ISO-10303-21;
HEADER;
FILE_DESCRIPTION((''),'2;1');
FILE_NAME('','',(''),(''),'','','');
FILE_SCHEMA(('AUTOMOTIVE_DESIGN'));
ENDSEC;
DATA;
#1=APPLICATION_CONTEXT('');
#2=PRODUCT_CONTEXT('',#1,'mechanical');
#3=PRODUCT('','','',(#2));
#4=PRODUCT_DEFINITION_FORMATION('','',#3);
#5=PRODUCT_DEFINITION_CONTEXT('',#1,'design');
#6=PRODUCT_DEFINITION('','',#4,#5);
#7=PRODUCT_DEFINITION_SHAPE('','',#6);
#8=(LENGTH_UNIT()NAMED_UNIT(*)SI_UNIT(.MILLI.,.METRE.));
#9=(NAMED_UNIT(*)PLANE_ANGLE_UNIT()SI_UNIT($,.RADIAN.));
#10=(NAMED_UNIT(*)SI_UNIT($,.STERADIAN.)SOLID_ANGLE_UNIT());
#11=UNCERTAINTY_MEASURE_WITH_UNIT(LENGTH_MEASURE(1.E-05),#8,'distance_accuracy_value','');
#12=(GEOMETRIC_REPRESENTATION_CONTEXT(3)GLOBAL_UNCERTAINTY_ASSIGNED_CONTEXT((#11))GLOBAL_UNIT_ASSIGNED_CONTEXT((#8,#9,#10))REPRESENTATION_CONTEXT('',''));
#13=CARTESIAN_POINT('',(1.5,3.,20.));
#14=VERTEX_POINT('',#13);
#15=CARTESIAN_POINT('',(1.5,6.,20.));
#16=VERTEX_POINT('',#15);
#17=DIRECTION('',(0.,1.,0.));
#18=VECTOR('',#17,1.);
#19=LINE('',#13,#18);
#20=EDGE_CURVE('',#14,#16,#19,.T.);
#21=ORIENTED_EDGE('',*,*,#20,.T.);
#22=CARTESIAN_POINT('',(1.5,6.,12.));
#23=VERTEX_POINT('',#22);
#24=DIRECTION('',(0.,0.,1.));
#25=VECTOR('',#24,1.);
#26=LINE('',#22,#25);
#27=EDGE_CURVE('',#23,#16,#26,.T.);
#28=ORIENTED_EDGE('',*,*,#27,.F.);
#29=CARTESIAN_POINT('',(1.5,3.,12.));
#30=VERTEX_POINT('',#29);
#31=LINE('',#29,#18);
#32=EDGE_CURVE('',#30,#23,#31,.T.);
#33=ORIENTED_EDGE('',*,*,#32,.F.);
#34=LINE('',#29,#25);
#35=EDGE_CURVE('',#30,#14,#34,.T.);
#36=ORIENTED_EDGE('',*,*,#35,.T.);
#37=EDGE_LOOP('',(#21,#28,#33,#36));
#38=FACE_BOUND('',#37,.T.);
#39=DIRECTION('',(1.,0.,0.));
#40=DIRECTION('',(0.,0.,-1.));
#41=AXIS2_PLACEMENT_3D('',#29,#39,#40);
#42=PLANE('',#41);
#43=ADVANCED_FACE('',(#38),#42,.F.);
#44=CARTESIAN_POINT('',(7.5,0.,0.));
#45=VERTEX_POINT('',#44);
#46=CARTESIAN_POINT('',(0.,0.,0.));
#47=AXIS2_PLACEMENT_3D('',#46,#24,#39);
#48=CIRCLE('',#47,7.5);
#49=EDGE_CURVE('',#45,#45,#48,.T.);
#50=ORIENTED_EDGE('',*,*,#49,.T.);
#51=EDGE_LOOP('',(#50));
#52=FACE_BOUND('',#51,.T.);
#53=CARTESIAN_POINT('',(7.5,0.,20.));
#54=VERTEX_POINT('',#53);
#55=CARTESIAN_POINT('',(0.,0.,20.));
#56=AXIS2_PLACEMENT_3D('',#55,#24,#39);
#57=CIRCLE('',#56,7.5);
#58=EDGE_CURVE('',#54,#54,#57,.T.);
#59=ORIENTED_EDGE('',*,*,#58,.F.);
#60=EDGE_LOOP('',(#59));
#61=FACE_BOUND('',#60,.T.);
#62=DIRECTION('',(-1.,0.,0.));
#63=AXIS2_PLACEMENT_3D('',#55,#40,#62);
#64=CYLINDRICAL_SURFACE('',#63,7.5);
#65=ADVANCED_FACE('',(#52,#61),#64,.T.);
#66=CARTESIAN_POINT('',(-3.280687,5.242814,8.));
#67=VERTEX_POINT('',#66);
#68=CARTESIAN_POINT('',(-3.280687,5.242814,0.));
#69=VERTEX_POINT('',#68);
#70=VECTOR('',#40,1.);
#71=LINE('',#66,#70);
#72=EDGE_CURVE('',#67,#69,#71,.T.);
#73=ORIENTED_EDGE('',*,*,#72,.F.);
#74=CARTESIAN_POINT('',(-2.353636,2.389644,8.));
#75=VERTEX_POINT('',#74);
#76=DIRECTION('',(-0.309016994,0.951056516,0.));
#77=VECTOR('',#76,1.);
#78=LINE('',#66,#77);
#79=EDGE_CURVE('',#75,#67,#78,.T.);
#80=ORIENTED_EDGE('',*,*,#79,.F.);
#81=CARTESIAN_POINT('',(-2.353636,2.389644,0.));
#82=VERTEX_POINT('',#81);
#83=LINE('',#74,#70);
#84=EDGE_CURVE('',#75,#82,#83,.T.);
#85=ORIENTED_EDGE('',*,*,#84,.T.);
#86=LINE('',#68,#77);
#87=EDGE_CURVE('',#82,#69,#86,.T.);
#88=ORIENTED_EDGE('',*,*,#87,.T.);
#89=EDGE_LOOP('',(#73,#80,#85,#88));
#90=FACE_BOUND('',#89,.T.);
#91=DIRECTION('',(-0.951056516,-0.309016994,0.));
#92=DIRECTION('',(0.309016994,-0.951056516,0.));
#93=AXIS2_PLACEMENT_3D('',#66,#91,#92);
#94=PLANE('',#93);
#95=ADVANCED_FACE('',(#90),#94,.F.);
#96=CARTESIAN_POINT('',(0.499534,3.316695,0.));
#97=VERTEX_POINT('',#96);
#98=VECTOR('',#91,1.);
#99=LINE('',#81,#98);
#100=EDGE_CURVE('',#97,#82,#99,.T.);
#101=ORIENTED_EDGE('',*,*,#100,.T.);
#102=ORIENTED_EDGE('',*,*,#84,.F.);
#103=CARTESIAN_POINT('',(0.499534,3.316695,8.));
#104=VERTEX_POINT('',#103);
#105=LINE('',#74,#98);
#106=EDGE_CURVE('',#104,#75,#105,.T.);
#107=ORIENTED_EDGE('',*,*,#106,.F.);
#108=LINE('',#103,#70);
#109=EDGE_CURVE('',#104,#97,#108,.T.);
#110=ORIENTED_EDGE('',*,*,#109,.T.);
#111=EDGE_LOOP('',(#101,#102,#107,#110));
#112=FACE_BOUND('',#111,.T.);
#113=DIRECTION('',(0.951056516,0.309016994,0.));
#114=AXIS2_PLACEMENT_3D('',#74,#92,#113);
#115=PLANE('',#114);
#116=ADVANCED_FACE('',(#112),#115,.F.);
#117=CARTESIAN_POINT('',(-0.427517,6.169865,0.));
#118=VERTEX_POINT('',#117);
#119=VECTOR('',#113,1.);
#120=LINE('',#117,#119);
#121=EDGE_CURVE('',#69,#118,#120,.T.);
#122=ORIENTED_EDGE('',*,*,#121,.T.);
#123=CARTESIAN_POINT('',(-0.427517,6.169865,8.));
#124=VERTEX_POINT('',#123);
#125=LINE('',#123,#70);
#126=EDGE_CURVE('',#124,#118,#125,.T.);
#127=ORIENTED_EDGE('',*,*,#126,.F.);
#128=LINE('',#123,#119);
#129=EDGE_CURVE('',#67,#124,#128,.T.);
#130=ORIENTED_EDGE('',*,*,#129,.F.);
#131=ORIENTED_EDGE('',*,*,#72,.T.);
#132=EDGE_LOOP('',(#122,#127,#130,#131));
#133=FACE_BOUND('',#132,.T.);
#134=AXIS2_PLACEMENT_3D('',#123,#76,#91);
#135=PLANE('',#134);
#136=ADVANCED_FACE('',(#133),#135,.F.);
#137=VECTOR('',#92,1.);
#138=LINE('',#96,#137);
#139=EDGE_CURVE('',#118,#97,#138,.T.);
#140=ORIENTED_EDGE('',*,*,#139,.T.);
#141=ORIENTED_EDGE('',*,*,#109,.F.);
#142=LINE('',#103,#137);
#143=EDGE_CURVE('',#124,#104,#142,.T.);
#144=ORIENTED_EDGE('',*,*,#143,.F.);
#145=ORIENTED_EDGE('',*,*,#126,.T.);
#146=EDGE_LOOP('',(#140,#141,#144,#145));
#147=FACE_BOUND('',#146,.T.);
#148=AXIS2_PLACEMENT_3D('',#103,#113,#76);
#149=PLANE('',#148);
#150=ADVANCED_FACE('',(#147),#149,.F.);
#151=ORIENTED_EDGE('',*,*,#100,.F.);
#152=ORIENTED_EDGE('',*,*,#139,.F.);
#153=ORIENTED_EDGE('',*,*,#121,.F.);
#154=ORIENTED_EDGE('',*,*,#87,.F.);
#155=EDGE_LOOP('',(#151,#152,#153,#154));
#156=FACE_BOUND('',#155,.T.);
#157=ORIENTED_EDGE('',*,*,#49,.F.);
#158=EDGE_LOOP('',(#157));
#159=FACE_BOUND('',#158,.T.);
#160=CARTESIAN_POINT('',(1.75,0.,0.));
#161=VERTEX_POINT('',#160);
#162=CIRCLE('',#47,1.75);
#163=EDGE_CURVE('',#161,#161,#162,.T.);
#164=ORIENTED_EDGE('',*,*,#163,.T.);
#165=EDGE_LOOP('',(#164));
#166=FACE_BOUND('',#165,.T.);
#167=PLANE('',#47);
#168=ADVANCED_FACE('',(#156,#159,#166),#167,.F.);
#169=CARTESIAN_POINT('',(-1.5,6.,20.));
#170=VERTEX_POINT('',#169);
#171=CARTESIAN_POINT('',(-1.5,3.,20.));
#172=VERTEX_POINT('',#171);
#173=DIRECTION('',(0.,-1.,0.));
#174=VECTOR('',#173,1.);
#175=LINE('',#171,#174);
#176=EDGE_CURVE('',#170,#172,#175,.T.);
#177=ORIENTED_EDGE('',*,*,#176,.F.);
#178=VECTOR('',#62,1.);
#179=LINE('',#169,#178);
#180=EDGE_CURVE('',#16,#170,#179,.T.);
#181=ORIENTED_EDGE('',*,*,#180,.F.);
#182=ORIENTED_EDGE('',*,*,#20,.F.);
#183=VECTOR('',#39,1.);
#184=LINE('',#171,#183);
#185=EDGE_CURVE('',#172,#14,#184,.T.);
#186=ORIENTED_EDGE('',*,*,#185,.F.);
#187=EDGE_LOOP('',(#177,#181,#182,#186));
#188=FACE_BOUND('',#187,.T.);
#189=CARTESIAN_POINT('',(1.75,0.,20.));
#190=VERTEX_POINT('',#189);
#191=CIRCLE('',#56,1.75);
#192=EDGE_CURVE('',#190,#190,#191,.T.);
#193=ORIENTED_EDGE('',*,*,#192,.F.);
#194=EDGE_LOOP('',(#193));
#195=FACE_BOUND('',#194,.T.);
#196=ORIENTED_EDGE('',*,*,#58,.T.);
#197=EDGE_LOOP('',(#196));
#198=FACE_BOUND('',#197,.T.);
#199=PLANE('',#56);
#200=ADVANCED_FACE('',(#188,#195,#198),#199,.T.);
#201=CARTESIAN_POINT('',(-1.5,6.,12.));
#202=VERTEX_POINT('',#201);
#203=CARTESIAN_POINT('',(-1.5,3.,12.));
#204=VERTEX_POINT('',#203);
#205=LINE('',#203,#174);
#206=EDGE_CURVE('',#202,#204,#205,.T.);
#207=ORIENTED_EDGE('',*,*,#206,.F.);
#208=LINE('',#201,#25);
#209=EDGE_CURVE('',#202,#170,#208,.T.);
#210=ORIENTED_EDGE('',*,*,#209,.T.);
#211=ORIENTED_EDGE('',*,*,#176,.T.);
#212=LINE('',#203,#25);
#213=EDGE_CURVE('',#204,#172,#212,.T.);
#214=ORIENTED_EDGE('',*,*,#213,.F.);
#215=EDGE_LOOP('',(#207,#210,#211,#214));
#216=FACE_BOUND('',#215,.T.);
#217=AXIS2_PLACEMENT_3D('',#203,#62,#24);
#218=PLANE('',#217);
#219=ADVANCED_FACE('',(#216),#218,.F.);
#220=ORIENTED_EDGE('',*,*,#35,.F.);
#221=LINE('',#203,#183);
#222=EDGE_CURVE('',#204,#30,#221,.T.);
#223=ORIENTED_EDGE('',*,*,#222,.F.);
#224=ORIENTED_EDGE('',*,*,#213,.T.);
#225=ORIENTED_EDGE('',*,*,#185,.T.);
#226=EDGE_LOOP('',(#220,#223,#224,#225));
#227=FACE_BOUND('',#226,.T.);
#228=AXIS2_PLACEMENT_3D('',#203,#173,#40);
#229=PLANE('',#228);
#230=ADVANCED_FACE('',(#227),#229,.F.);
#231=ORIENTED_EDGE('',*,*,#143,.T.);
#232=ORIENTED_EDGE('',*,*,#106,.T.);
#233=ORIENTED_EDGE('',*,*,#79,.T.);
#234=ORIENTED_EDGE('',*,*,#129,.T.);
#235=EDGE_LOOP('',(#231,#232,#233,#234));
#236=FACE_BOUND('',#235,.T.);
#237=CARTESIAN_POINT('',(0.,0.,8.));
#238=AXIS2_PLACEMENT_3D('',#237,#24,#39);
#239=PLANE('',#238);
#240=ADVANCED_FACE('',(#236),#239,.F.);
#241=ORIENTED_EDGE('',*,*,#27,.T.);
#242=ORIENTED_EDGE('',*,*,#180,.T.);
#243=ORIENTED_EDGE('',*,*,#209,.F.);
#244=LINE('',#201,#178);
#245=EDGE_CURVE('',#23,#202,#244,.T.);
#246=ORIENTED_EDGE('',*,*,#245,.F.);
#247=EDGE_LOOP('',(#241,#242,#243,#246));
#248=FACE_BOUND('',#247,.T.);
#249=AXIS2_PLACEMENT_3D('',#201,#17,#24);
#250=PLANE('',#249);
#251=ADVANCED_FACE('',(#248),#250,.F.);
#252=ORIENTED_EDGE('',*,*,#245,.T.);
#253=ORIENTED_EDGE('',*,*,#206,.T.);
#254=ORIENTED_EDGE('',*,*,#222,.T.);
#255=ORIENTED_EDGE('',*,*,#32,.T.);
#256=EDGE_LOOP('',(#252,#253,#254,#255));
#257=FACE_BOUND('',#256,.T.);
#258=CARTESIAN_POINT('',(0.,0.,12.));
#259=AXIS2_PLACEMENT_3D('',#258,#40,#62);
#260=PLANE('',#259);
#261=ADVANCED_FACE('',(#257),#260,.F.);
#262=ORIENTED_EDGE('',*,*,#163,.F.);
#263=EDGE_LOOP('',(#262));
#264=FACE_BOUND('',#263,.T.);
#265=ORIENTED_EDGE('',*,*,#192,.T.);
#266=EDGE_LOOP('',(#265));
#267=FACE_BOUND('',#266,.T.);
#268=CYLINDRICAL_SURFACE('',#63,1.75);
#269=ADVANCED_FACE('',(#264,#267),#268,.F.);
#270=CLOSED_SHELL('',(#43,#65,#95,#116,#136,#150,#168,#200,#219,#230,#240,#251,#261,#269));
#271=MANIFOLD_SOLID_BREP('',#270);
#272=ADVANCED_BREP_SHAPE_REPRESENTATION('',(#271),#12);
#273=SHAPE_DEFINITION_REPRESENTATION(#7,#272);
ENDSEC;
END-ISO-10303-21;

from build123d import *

# Parameters (mm, degrees)
SKETCH1_R           = 7.5
SKETCH1_R_2         = 1.75
BOSS_EXTRUDE1_DEPTH = 20
SKETCH2_W           = 3
SKETCH2_H           = 3
CUT_EXTRUDE1_DEPTH  = 8
CUT_EXTRUDE2_DEPTH  = 8


with BuildPart() as part:
    # Sketch1 → Boss-Extrude1 (new body)
    with BuildSketch(Plane.XY):
        Circle(SKETCH1_R)
        Circle(SKETCH1_R_2, mode=Mode.SUBTRACT)
    extrude(amount=BOSS_EXTRUDE1_DEPTH)

    # Sketch2 → Cut-Extrude1 (cut)
    with BuildSketch(Plane.XY.offset(20)):
        with Locations((0, 4.5)):
            Rectangle(SKETCH2_W, SKETCH2_H)
    extrude(amount=-CUT_EXTRUDE1_DEPTH, mode=Mode.SUBTRACT)

    # Sketch3 → Cut-Extrude2 (cut)
    with BuildSketch(Plane(origin=(0, 0, 0), x_dir=(-1, 0, 0), z_dir=(0, 0, -1))):
        Polygon((-0.499533791, 3.31669504), (0.427517192, 6.169864589), (3.280686741, 5.242813606), (2.353635758, 2.389644057), align=None)
    extrude(amount=-CUT_EXTRUDE2_DEPTH, mode=Mode.SUBTRACT)


solid = part.part
